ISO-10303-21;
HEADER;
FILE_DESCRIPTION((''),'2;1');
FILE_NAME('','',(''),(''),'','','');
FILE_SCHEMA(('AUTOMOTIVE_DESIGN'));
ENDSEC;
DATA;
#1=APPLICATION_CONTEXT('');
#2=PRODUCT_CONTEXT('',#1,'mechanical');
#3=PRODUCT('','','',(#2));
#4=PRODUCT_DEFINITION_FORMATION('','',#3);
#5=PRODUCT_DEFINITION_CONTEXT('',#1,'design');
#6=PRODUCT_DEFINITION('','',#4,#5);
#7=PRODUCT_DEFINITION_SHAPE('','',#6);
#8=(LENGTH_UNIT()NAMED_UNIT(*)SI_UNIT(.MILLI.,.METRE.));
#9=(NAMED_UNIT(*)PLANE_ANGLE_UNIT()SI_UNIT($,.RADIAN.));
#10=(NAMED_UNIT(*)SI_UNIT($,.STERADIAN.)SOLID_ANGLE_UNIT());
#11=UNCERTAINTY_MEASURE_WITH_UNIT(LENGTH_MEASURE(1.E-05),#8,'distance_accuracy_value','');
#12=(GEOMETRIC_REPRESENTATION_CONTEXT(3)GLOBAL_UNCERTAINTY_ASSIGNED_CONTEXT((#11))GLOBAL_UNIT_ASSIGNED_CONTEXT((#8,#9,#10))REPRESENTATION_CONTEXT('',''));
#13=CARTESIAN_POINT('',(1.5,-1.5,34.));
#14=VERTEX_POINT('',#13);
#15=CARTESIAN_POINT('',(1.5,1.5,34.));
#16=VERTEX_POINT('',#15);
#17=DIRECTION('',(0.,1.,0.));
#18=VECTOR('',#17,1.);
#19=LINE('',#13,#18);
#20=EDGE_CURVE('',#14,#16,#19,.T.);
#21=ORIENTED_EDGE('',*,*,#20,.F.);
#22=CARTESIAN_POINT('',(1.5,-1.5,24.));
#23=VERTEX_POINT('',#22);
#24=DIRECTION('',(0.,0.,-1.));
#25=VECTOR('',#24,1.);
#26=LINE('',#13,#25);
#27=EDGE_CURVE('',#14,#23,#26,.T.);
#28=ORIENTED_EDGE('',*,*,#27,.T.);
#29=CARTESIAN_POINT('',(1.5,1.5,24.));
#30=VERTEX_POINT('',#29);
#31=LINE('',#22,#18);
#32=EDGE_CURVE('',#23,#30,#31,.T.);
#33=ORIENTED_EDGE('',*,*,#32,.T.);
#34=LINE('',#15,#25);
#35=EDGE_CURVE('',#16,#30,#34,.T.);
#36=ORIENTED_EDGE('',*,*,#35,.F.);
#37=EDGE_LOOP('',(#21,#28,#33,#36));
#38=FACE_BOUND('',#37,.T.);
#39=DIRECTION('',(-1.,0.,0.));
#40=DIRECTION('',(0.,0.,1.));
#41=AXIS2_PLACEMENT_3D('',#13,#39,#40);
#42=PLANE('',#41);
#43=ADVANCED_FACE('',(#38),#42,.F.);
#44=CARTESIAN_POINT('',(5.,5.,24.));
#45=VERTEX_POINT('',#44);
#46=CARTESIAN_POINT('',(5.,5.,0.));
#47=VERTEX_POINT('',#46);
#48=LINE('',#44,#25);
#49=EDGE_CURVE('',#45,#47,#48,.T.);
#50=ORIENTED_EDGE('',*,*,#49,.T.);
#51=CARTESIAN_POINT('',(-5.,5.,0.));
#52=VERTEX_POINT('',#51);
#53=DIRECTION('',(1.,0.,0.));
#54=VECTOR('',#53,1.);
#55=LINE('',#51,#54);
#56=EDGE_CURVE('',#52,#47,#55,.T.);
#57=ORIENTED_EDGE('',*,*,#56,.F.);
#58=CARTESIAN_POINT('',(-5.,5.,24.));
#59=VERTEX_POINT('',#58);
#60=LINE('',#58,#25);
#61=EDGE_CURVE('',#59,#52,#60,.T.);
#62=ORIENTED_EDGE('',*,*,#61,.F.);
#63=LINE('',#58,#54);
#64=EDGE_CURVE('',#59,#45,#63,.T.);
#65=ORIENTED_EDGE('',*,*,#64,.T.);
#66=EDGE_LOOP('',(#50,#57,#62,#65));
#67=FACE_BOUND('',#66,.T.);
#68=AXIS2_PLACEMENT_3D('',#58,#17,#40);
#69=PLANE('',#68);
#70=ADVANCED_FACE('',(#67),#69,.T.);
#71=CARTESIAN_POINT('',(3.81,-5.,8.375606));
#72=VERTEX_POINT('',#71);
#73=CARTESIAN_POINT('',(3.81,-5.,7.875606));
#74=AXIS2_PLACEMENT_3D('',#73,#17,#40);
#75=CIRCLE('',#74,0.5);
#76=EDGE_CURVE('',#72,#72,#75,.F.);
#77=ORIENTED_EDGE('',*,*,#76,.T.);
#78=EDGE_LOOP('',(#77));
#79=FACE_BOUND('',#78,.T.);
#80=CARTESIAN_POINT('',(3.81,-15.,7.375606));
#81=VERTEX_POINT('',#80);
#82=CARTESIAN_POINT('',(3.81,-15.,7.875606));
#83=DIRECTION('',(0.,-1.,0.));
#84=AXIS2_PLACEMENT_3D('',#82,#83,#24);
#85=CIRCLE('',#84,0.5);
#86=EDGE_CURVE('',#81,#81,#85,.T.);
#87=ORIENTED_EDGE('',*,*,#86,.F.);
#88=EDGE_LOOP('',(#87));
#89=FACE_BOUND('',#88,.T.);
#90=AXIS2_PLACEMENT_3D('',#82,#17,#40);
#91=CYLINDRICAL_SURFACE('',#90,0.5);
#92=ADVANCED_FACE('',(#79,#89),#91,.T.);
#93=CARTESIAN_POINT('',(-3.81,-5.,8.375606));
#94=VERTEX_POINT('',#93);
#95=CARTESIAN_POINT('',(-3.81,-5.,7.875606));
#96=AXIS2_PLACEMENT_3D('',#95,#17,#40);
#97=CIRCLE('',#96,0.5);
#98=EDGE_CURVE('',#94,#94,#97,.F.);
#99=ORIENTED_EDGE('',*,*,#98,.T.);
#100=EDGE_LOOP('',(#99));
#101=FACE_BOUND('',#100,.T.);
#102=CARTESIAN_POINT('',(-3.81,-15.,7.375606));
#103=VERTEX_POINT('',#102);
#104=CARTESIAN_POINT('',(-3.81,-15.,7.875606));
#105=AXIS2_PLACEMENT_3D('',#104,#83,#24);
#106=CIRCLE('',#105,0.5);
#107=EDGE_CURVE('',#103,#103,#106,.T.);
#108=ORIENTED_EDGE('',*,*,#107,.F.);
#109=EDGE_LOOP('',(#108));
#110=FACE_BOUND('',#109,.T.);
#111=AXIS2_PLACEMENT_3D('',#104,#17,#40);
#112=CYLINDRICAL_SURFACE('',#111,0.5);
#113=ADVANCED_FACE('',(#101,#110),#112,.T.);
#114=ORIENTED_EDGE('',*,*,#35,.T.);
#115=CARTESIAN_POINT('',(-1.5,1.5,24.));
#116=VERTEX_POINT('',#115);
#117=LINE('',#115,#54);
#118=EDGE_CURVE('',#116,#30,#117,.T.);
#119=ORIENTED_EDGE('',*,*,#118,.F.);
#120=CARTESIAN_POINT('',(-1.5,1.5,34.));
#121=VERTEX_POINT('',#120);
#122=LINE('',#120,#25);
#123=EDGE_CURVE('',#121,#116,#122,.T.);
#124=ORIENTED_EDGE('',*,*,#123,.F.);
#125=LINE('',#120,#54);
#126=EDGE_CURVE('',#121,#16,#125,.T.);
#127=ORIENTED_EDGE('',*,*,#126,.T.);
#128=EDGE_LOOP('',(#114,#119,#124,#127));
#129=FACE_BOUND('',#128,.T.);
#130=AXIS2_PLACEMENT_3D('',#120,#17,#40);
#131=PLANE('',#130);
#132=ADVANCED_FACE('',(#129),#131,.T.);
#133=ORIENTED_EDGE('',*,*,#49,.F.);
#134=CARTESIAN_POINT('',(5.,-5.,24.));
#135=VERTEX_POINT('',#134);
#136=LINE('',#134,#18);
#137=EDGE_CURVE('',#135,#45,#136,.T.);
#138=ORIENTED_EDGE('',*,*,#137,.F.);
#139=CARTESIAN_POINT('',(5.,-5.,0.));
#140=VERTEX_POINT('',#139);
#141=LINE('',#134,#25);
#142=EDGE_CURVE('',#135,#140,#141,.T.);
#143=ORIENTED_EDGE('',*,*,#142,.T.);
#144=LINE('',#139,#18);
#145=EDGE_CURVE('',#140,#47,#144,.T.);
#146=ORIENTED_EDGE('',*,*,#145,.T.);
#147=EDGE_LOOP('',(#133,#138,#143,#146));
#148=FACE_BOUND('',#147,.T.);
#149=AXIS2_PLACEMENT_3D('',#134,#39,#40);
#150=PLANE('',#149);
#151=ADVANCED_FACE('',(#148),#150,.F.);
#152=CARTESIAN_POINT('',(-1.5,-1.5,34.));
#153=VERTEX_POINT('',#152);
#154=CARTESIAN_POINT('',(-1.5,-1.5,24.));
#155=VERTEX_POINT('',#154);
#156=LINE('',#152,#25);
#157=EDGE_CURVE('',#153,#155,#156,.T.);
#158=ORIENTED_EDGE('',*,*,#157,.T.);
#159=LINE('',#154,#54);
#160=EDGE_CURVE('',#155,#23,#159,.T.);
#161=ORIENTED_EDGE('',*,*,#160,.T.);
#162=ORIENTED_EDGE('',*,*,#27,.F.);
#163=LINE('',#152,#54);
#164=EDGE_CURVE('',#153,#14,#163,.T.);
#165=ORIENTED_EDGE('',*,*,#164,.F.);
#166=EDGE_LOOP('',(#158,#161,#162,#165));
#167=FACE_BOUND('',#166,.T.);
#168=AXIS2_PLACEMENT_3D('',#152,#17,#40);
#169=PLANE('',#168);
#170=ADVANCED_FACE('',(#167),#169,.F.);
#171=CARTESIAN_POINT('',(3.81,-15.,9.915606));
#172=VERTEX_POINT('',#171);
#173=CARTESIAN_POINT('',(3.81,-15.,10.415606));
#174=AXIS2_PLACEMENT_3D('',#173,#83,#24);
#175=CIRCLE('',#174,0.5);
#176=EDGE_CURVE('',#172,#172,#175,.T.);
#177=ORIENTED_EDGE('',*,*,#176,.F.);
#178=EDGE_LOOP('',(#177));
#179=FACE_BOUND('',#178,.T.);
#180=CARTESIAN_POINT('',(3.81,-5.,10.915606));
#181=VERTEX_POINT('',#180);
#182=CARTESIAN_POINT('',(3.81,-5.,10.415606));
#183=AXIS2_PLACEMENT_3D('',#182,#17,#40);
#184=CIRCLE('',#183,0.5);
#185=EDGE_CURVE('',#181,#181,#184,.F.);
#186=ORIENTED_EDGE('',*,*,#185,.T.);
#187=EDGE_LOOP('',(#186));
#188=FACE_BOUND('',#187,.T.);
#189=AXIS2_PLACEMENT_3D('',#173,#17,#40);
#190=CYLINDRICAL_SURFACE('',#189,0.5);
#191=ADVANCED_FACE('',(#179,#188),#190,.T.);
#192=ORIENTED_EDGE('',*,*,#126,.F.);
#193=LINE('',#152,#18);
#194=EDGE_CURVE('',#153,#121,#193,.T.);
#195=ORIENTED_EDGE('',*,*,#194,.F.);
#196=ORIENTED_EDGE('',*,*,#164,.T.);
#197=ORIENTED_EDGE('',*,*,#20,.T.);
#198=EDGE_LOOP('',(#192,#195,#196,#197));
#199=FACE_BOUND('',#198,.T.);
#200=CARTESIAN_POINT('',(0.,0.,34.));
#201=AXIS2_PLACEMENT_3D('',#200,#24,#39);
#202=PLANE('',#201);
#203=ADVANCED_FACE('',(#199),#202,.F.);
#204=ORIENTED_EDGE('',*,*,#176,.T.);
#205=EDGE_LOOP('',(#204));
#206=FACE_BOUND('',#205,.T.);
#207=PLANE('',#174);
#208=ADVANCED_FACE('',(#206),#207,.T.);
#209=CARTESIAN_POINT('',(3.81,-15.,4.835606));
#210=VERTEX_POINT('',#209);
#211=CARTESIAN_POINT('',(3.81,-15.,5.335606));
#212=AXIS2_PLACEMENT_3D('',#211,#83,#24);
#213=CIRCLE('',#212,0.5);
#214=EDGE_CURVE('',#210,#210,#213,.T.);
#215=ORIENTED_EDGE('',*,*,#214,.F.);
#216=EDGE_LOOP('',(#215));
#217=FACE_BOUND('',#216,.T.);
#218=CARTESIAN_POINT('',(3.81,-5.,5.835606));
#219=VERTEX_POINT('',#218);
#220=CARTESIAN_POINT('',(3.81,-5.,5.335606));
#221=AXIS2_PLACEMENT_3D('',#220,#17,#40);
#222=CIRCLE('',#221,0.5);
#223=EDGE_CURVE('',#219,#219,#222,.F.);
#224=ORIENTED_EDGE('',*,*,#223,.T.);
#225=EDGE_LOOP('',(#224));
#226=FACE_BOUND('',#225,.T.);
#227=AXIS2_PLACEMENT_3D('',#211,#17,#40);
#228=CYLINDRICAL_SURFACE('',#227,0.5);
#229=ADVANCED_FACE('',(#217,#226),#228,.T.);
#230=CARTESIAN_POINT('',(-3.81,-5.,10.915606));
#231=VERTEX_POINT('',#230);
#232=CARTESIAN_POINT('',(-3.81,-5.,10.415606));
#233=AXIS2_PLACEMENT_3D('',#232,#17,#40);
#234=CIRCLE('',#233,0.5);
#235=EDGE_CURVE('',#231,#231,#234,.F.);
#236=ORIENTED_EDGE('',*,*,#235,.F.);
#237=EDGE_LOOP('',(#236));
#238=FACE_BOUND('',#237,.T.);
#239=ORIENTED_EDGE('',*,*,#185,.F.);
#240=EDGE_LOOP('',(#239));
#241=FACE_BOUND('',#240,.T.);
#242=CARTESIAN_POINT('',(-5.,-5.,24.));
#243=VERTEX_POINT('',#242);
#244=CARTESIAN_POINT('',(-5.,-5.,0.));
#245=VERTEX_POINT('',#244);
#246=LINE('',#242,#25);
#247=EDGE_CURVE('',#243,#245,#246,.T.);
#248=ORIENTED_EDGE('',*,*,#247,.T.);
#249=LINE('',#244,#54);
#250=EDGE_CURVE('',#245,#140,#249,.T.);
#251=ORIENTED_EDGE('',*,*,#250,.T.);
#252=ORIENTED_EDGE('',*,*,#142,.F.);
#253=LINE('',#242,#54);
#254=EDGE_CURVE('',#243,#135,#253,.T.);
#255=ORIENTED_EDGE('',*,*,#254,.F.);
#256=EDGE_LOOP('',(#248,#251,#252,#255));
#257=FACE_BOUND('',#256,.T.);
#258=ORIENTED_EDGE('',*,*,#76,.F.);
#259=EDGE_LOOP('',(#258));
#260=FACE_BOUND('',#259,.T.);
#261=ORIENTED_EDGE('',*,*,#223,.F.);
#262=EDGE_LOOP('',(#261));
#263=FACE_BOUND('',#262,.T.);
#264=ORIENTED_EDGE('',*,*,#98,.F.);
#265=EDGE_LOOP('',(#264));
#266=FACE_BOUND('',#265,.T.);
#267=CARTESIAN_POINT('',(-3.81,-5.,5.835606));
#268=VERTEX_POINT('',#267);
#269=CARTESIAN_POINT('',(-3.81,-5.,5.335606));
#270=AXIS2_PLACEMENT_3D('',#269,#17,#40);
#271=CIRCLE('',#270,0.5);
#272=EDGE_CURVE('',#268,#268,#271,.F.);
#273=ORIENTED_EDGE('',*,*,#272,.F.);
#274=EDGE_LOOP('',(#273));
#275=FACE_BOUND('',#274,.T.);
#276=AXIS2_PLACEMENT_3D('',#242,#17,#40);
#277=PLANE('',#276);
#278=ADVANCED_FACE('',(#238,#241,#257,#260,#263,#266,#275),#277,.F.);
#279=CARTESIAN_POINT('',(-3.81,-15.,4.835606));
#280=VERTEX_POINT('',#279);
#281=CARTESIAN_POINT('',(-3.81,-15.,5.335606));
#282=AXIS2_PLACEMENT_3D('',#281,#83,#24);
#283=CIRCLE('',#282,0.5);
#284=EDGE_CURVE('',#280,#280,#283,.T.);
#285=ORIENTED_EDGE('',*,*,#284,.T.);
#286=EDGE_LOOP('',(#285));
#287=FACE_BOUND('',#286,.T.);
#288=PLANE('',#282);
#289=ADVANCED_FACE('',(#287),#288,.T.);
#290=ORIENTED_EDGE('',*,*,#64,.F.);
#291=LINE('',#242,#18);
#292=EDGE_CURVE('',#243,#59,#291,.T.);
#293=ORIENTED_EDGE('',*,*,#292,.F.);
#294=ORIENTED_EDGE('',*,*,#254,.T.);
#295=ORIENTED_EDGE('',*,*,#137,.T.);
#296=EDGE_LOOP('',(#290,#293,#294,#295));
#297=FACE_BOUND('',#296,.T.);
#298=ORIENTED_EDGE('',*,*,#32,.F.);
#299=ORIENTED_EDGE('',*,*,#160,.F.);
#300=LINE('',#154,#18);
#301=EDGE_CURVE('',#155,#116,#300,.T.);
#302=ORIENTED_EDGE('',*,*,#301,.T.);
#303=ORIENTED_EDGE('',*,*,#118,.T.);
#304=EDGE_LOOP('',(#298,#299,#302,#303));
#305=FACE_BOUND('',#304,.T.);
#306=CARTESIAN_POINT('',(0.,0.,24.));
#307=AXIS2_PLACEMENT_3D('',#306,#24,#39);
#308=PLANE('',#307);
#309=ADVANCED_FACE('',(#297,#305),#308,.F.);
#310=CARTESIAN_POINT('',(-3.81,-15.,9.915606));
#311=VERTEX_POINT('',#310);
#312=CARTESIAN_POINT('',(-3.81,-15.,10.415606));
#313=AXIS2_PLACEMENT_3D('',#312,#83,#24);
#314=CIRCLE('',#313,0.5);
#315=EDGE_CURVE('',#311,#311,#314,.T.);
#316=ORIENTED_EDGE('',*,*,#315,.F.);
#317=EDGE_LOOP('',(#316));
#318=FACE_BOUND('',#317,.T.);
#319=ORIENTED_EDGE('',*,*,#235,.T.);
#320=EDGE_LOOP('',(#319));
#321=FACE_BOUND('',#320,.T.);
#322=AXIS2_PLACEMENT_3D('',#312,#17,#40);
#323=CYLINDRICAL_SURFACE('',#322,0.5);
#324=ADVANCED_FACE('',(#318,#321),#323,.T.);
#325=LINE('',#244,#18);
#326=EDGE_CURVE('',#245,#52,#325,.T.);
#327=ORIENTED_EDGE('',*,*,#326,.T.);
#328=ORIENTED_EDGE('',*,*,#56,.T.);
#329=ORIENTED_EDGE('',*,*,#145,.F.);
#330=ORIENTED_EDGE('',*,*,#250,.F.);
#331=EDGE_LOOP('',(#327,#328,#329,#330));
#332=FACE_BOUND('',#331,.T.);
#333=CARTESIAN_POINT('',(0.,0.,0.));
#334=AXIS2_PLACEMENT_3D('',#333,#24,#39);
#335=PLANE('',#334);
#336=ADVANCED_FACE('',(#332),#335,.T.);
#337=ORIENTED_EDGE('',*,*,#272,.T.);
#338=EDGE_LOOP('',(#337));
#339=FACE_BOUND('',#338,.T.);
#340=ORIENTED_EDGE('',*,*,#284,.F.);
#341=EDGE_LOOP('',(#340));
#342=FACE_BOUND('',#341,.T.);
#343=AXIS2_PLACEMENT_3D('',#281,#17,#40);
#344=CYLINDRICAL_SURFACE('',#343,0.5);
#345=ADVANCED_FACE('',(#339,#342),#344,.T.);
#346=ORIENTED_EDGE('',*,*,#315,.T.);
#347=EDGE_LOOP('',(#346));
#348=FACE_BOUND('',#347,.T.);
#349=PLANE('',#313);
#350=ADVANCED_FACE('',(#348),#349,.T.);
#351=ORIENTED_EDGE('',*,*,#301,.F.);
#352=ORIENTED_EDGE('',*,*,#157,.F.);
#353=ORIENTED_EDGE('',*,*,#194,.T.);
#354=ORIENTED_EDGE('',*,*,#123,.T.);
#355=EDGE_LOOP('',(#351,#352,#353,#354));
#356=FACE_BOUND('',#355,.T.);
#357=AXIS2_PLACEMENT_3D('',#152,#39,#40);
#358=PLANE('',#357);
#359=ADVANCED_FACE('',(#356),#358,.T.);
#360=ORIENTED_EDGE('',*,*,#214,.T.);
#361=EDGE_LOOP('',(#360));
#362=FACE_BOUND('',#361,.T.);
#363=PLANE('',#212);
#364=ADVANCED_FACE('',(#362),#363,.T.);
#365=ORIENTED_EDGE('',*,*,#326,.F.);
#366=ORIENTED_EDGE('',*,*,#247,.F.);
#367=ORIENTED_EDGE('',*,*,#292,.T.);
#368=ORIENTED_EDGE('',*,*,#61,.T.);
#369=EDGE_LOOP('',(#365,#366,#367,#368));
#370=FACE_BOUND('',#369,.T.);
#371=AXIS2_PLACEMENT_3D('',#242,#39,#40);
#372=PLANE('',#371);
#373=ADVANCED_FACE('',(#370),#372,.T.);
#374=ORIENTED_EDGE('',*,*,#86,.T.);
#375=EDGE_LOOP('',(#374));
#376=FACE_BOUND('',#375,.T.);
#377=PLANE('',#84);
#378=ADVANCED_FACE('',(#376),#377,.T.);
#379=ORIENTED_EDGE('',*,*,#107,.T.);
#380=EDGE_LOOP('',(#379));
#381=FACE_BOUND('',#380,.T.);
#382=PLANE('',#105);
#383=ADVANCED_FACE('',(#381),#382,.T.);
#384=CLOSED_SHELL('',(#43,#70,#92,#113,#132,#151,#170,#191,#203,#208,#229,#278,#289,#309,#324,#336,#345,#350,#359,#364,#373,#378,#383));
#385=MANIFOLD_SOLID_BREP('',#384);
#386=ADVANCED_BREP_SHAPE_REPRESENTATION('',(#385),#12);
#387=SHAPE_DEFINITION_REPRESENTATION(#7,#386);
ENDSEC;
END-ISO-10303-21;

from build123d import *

# Parameters (mm, degrees)
SKETCH1_W           = 10
SKETCH1_H           = 10
BOSS_EXTRUDE1_DEPTH = 24
SKETCH2_W           = 3
SKETCH2_H           = 3
BOSS_EXTRUDE2_DEPTH = 10
SKETCH3_R           = 0.5
BOSS_EXTRUDE3_DEPTH = 10


with BuildPart() as part:
    # Sketch1 → Boss-Extrude1 (new body)
    with BuildSketch(Plane.XY):
        Rectangle(SKETCH1_W, SKETCH1_H)
    extrude(amount=BOSS_EXTRUDE1_DEPTH)

    # Sketch2 → Boss-Extrude2 (add)
    with BuildSketch(Plane.XY.offset(24)):
        Rectangle(SKETCH2_W, SKETCH2_H)
    extrude(amount=BOSS_EXTRUDE2_DEPTH)

    # Sketch3 → Boss-Extrude3 (add)
    with BuildSketch(Plane.XZ.offset(5)):
        with Locations(Location((-3.81, 10.415606067, 0), (0, 0, 90))):
            Circle(SKETCH3_R)
        with Locations(Location((3.81, 10.415606067, 0), (0, 0, 90))):
            Circle(SKETCH3_R)
        with Locations(Location((3.81, 7.875606067, 0), (0, 0, 90))):
            Circle(SKETCH3_R)
        with Locations(Location((3.81, 5.335606067, 0), (0, 0, 90))):
            Circle(SKETCH3_R)
        with Locations(Location((-3.81, 7.875606067, 0), (0, 0, 90))):
            Circle(SKETCH3_R)
        with Locations(Location((-3.81, 5.335606067, 0), (0, 0, 90))):
            Circle(SKETCH3_R)
    extrude(amount=BOSS_EXTRUDE3_DEPTH)


solid = part.part
